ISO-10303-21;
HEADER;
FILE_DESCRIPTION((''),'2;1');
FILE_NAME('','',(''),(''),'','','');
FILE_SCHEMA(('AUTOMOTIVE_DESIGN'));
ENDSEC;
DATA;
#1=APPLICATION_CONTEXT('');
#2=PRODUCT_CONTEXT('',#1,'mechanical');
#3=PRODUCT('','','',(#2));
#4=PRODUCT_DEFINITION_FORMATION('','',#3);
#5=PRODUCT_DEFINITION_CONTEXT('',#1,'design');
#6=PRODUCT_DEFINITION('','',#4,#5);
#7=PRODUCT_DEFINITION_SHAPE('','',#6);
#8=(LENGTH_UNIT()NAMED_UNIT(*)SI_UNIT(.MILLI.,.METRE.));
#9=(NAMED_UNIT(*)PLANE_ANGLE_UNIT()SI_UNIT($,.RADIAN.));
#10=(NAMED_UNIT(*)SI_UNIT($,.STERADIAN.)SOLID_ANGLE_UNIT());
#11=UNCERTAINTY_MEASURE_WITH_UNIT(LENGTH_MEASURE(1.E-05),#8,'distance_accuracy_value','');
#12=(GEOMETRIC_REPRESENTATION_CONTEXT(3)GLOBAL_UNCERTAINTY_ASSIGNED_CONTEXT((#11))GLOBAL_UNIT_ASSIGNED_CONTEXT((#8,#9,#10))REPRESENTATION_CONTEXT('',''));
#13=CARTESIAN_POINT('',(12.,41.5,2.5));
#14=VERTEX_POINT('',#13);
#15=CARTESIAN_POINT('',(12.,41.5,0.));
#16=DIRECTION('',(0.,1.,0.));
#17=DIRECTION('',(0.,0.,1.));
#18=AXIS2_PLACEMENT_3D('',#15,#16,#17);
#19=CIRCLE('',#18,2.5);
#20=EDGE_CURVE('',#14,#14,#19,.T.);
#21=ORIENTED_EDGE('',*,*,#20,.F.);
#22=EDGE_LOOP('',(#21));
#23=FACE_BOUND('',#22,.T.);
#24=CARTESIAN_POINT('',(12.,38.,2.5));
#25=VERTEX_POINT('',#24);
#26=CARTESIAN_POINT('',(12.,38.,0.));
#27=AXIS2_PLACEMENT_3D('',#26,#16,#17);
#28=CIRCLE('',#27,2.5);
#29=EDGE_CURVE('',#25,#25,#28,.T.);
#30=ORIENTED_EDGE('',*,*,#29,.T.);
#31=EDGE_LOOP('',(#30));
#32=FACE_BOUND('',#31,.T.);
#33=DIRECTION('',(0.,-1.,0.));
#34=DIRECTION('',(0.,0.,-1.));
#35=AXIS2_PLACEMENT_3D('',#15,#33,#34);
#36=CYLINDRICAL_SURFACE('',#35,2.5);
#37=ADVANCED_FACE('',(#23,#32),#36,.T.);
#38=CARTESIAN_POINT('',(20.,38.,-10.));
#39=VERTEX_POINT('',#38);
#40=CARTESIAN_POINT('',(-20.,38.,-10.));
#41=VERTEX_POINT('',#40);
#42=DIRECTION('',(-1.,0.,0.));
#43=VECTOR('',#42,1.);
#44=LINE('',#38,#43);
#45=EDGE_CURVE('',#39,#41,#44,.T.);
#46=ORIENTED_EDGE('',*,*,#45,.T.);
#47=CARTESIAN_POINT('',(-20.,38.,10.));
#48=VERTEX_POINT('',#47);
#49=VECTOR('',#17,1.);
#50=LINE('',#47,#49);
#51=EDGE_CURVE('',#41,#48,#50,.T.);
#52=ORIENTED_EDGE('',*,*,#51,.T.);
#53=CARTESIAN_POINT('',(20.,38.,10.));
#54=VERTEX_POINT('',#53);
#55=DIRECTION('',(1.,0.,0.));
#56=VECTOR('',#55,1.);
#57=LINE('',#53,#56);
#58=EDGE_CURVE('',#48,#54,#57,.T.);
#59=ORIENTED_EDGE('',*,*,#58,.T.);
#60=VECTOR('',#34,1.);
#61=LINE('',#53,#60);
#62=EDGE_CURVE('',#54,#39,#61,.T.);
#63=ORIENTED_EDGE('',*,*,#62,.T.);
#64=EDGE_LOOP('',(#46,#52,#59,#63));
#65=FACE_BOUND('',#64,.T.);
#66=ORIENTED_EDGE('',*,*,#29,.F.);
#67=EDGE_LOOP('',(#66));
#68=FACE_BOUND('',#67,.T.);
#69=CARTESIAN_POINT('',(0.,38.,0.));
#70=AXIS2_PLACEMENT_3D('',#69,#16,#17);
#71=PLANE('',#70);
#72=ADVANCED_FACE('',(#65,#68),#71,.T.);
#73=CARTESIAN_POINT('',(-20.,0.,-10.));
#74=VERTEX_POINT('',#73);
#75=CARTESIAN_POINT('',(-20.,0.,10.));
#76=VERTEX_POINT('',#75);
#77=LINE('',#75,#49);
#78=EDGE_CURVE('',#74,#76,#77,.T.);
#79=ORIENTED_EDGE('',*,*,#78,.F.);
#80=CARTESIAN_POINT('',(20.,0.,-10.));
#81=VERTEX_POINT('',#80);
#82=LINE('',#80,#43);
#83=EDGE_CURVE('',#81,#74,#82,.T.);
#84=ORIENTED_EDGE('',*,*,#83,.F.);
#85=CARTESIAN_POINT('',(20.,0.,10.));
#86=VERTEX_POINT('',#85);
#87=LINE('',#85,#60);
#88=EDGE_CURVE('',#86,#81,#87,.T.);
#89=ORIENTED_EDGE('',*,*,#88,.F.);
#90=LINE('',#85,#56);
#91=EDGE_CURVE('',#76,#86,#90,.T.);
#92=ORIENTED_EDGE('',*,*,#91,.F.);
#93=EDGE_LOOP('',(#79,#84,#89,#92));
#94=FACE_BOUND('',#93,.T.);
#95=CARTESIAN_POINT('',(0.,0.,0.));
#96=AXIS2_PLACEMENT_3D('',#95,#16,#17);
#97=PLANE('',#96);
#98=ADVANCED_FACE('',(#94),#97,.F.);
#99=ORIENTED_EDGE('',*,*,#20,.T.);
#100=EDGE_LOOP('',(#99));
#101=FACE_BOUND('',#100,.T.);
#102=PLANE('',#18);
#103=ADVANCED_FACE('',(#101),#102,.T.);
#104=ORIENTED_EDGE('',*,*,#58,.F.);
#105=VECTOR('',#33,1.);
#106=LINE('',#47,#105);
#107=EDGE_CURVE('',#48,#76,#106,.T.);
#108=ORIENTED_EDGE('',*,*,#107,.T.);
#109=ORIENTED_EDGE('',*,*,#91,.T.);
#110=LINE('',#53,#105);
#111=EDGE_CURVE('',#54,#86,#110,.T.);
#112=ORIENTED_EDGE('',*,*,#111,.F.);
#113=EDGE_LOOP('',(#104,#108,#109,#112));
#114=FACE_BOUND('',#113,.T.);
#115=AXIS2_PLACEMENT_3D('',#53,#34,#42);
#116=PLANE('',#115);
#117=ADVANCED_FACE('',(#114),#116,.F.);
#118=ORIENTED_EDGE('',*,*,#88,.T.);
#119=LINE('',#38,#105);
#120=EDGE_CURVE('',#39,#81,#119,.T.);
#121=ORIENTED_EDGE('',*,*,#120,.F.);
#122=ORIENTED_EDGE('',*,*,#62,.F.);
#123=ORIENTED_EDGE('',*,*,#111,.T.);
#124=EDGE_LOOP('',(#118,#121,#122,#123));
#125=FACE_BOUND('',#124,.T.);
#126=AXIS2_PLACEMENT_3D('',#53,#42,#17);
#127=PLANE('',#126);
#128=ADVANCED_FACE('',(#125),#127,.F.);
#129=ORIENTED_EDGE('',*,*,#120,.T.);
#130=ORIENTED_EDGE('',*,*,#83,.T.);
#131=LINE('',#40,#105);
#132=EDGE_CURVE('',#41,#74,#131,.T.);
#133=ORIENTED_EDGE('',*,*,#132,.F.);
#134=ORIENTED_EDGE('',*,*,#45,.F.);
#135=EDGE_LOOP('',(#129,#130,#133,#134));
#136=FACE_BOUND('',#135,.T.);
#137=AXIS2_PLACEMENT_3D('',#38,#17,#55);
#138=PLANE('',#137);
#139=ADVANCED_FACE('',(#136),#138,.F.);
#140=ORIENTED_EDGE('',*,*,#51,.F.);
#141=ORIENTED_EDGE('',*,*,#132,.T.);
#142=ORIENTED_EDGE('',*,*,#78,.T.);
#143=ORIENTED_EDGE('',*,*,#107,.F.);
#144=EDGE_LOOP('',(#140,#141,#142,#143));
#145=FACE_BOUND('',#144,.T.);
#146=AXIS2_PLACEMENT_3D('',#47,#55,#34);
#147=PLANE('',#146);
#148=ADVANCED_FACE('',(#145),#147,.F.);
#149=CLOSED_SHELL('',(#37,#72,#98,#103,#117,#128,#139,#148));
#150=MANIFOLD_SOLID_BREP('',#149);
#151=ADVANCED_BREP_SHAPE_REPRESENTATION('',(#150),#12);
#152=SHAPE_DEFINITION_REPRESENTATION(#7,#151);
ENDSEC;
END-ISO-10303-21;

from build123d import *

# Parameters (mm, degrees)
SKETCH_1_W      = 40
SKETCH_1_H      = 20
EXTRUDE_1_DEPTH = 38
SKETCH_2_R      = 2.5
EXTRUDE_2_DEPTH = 3.5


with BuildPart() as part:
    # 草图1 → 凸台-拉伸1 (new body)
    with BuildSketch(Plane(origin=(0, 0, 0), x_dir=(1, 0, 0), z_dir=(0, 1, 0))):
        Rectangle(SKETCH_1_W, SKETCH_1_H)
    extrude(amount=EXTRUDE_1_DEPTH)

    # 草图2 → 凸台-拉伸2 (add)
    with BuildSketch(Plane(origin=(0, 38, 0), x_dir=(1, 0, 0), z_dir=(0, 1, 0))):
        with Locations(Location((12, 0, 0), (0, 0, 270))):
            Circle(SKETCH_2_R)
    extrude(amount=EXTRUDE_2_DEPTH)


solid = part.part
